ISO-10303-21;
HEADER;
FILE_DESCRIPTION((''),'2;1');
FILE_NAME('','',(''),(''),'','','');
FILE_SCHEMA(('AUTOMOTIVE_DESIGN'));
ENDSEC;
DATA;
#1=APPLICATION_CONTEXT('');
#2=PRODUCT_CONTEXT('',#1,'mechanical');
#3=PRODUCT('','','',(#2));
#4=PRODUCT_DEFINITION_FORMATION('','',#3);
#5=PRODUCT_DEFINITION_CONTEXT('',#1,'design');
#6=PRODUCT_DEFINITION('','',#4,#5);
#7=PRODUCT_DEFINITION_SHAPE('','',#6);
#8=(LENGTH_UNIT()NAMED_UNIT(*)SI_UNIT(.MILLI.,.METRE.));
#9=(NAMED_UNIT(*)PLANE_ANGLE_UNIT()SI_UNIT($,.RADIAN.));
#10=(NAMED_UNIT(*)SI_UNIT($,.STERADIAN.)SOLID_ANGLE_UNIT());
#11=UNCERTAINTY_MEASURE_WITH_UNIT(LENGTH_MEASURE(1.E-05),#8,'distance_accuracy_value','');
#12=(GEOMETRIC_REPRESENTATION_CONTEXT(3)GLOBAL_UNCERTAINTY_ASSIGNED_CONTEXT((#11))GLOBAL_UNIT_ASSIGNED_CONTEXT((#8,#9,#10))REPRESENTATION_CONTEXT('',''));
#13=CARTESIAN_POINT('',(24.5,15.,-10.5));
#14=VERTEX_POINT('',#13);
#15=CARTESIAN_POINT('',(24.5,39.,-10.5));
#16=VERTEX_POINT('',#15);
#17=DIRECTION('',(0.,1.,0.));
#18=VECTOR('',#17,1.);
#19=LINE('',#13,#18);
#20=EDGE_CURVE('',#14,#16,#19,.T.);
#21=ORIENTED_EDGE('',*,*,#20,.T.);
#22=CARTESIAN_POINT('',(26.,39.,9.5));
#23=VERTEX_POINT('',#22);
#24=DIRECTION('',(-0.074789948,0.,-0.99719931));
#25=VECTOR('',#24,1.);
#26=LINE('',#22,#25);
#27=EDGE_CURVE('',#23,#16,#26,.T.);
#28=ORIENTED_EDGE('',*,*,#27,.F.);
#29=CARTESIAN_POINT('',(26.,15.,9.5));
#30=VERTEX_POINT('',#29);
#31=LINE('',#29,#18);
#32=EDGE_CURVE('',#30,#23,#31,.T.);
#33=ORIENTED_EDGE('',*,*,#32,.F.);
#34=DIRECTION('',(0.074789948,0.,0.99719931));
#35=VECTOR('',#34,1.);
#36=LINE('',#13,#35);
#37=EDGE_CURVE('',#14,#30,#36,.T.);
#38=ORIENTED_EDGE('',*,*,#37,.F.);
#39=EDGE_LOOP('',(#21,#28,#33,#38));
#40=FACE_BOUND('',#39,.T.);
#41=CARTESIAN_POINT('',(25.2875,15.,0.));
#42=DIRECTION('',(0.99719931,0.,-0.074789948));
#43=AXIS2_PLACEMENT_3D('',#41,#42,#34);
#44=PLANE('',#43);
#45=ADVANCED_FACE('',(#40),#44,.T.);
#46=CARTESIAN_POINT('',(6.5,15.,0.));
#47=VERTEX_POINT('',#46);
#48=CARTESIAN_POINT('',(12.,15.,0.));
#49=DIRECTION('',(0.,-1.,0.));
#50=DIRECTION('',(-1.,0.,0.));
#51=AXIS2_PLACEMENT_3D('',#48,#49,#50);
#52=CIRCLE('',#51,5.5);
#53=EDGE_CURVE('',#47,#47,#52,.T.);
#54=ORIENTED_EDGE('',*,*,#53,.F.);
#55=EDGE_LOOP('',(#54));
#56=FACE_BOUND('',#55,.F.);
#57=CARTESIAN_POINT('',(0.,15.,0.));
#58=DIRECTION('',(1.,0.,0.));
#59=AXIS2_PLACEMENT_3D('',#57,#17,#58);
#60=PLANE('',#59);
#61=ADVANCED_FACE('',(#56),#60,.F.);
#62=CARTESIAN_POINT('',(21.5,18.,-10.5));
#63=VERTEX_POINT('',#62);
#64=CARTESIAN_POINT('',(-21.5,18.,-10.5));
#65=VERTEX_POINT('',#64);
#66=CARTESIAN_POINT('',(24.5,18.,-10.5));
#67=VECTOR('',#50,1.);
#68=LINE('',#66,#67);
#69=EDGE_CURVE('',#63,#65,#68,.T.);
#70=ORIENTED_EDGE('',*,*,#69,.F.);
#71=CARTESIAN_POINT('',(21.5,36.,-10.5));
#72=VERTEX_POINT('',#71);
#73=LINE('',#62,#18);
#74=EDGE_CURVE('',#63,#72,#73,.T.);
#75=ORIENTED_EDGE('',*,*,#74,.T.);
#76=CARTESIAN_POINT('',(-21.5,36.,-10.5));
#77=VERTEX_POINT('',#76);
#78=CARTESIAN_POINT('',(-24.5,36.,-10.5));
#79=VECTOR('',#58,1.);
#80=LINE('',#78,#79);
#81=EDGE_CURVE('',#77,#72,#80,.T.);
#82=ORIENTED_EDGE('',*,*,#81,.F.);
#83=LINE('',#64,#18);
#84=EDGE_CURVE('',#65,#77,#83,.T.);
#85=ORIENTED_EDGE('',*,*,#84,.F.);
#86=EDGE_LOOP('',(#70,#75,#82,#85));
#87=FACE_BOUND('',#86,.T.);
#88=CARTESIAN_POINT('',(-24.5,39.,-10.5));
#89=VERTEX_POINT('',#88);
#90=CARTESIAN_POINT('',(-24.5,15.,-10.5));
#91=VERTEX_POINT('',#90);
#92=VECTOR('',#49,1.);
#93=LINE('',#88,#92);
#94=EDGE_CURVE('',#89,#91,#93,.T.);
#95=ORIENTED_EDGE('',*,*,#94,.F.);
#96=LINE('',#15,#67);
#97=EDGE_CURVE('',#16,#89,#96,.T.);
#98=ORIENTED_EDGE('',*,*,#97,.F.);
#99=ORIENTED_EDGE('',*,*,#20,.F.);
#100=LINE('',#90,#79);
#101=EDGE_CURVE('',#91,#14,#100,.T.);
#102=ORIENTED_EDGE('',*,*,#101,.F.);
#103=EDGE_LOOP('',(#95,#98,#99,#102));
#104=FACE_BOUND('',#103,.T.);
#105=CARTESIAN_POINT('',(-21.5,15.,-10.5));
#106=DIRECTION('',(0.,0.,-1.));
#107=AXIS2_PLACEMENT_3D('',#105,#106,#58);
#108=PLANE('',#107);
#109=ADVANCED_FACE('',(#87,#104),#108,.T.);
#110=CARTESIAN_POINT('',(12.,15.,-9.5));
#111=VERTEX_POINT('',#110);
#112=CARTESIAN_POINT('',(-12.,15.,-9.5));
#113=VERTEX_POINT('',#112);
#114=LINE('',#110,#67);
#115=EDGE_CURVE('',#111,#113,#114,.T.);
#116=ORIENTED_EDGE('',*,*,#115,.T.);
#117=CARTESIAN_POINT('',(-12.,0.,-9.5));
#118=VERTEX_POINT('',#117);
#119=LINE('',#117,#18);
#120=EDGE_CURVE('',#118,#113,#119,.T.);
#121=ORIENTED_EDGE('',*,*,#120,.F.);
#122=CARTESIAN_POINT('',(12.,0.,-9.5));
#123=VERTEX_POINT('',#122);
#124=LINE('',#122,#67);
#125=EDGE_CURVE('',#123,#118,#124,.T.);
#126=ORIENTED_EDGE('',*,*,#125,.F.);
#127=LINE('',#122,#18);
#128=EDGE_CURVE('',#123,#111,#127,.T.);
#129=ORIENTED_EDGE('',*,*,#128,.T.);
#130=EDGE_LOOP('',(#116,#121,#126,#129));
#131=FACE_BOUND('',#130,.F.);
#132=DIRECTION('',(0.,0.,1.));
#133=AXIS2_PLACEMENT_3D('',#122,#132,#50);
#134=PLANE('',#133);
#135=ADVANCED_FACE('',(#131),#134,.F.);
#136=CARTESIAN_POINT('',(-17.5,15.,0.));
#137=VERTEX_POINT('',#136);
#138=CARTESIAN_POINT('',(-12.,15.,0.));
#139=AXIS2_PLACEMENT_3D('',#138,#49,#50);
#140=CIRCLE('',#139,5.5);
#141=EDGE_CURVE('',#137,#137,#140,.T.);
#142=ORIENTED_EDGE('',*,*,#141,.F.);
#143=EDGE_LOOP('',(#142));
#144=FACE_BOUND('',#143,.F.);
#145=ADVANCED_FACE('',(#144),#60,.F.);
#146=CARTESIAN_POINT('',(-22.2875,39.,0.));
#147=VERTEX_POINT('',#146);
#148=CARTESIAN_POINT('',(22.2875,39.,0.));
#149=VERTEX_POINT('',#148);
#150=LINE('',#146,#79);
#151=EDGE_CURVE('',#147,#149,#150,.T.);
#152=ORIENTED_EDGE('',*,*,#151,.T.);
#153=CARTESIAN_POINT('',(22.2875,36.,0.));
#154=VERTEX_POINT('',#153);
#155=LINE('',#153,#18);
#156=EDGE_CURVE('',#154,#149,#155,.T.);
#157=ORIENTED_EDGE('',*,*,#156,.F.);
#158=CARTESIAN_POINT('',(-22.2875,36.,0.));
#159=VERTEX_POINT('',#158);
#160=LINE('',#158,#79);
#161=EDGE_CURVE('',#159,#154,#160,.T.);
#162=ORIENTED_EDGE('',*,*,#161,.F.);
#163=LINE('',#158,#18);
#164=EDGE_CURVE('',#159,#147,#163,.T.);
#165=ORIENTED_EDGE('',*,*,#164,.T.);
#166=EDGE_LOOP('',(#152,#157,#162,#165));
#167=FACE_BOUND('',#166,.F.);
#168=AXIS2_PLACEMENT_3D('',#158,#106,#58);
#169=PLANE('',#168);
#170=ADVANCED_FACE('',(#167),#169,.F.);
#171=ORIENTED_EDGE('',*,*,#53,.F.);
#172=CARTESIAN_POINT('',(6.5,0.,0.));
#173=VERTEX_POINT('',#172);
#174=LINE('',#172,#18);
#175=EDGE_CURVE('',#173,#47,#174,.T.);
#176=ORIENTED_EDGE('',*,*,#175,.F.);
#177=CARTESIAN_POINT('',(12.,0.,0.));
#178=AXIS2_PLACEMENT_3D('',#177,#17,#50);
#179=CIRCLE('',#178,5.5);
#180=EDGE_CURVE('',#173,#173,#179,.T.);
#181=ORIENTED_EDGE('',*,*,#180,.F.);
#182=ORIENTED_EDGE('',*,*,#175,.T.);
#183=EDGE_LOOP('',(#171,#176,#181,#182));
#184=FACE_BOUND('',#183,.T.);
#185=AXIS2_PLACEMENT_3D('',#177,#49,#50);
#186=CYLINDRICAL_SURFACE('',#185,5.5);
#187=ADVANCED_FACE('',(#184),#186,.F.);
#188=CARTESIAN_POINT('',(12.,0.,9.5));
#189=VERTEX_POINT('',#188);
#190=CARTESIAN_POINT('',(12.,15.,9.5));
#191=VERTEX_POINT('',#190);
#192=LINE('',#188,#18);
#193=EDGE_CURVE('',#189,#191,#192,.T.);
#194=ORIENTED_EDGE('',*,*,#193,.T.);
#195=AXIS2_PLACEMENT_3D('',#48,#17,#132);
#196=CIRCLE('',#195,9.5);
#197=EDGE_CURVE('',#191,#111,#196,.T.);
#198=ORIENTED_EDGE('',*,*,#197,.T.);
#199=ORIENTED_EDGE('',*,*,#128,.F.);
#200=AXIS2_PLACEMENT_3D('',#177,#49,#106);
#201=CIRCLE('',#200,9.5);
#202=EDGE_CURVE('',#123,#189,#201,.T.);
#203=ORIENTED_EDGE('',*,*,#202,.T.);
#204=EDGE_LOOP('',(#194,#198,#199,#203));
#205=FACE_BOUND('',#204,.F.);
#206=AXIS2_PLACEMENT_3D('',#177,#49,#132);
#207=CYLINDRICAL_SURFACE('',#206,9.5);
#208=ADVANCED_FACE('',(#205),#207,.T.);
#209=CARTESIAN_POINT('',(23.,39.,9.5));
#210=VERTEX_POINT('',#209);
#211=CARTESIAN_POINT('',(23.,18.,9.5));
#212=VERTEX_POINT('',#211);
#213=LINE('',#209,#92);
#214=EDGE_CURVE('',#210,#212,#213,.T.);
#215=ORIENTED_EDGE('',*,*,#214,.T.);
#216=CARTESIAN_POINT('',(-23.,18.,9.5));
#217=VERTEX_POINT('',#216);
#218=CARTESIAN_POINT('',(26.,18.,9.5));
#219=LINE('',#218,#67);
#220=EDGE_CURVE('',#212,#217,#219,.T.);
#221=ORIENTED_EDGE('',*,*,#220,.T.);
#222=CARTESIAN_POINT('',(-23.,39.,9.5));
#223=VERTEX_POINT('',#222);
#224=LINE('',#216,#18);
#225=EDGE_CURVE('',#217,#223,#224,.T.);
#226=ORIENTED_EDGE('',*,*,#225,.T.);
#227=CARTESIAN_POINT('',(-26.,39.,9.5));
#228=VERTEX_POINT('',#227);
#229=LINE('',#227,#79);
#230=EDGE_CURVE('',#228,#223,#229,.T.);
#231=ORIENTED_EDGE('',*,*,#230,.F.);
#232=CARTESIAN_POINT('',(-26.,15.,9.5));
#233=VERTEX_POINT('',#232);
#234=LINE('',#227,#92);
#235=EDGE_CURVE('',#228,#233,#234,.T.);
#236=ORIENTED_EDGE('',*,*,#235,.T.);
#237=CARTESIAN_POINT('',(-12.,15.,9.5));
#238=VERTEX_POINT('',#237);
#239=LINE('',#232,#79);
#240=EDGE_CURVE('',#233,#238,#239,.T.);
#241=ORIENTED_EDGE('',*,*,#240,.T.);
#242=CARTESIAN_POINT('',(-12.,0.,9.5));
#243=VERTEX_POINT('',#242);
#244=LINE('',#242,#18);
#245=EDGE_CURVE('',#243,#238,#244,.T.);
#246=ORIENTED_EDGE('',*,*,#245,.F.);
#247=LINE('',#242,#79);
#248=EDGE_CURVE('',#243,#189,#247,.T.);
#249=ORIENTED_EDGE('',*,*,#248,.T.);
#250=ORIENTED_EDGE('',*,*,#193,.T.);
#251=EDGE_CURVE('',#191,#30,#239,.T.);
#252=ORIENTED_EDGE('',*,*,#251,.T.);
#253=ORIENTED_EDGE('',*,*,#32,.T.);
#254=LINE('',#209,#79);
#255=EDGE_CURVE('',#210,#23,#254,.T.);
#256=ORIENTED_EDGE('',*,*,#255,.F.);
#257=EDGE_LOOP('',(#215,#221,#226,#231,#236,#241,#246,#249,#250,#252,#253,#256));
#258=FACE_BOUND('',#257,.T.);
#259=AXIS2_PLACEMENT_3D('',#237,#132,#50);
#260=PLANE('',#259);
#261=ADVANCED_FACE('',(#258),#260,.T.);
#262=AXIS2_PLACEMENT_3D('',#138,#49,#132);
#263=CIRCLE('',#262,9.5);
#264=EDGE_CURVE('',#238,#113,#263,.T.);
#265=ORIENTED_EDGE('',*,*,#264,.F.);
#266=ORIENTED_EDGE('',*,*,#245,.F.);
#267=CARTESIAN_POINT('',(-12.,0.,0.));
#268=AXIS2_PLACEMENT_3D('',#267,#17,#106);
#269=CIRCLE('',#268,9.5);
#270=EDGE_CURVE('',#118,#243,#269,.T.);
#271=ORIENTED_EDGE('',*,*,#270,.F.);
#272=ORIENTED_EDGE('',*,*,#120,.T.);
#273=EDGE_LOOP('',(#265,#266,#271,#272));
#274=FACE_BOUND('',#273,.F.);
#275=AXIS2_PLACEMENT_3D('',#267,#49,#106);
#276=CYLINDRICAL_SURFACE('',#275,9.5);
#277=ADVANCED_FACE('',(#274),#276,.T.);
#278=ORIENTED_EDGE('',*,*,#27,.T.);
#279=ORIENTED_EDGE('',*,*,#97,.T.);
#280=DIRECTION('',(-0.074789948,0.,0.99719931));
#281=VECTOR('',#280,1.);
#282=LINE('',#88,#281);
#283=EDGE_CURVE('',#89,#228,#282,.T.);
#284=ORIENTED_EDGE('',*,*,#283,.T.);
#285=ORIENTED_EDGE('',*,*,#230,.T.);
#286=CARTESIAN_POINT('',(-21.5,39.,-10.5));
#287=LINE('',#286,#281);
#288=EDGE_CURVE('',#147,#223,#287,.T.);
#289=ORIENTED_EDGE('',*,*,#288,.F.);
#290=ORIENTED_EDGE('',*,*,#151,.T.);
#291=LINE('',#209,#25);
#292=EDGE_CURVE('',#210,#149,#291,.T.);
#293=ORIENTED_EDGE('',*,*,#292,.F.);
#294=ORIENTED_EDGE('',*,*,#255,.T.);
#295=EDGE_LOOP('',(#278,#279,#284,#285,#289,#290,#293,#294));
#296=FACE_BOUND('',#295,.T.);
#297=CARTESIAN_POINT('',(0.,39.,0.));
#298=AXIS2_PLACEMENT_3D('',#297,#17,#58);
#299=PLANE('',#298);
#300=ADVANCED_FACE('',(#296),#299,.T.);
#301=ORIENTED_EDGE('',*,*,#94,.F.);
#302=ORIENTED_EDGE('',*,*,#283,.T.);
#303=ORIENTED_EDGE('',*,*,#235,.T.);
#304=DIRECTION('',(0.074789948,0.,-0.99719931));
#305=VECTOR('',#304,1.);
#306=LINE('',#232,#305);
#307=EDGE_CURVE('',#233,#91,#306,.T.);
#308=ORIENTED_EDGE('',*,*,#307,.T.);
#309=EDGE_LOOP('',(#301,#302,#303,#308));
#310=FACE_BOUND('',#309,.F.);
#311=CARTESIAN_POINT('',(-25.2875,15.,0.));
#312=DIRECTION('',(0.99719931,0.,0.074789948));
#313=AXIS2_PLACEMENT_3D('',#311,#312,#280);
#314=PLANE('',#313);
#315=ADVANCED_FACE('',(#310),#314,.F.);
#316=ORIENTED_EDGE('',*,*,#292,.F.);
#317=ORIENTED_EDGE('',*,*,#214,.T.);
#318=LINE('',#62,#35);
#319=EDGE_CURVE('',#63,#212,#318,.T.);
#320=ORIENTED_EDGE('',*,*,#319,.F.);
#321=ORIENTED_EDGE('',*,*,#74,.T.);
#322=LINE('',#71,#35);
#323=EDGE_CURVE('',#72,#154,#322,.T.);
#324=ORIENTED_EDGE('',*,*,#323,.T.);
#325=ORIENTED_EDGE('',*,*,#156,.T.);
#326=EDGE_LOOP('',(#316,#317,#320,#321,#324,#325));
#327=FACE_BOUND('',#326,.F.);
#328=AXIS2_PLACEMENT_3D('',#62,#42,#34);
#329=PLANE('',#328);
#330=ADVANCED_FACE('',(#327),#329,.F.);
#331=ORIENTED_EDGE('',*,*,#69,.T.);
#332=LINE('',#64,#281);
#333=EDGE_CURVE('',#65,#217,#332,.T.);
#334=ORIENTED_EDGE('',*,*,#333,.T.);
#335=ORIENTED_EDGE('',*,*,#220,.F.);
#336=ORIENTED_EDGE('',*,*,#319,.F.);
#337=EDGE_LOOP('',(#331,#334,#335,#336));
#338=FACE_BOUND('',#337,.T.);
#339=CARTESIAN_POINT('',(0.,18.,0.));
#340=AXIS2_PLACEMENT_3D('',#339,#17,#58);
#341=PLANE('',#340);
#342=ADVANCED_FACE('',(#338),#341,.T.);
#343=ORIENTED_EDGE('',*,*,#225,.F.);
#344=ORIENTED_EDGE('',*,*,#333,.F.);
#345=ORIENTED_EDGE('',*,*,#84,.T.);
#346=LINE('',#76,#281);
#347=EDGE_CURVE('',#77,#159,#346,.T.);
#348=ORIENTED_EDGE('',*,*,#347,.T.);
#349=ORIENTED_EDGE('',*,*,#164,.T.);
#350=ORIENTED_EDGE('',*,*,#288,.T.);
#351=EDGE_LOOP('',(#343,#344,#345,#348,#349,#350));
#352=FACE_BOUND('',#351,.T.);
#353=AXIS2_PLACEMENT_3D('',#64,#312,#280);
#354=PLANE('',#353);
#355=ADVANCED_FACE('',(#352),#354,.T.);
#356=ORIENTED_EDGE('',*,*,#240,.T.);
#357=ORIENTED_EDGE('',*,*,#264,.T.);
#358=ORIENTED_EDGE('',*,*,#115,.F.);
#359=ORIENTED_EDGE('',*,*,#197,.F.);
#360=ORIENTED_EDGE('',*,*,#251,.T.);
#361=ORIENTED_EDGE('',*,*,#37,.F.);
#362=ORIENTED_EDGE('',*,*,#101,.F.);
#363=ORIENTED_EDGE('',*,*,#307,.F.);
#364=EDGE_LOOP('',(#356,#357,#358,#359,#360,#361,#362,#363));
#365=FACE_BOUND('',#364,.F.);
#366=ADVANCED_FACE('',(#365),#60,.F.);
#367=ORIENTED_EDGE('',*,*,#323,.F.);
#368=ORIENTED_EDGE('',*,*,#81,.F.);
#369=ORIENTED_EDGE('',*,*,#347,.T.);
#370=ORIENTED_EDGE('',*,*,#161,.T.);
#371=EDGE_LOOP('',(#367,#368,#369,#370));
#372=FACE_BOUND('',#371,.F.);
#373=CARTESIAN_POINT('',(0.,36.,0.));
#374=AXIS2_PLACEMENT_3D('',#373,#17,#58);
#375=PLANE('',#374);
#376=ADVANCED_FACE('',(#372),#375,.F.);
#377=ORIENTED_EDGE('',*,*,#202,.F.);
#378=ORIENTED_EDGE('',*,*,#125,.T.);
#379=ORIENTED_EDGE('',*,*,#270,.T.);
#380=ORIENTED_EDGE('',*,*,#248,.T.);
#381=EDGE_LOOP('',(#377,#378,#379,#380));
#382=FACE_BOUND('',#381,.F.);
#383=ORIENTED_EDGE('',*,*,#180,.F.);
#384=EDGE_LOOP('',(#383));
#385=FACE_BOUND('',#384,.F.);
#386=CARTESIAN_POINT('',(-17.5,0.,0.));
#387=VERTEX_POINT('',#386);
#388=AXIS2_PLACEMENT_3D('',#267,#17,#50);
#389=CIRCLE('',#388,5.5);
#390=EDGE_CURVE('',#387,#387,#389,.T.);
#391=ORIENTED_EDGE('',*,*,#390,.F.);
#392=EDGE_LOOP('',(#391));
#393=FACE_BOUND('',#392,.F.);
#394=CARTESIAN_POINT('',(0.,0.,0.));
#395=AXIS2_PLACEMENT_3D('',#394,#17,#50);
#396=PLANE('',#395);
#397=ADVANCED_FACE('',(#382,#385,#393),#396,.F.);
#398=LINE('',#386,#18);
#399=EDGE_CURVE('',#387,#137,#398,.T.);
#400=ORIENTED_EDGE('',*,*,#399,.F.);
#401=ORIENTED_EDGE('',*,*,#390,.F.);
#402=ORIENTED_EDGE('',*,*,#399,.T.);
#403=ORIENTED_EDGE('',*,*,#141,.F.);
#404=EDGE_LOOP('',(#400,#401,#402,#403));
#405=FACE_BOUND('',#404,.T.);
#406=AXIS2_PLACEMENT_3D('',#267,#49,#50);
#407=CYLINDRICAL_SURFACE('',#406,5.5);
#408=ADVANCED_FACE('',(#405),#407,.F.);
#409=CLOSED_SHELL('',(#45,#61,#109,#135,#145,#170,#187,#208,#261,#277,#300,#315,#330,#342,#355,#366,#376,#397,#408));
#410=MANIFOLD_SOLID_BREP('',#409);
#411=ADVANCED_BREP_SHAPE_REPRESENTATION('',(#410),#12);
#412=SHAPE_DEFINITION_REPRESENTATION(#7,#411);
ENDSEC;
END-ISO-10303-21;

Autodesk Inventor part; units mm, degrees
ref_plane "YZ Plane" through (0, 0, 0) normal (1, 0, 0) x (0, 1, 0)
ref_plane "XZ Plane" through (0, 0, 0) normal (0, 1, 0) x (-1, 0, 0)
ref_plane "XY Plane" through (0, 0, 0) normal (0, 0, 1) x (1, 0, 0)
sketch "스케치1" plane through (0, 0, 0) normal (0, 1, 0) x (-1, 0, 0)
  circle A0 centre (12, 0) radius 5.5
  circle A1 centre (-12, 0) radius 5.5
  line L0 (30.1, 0) -> (-30.1, 0) projected
  line L1 (12, 0) -> (-12, 0) construction
  line L2 (12, 9.5) -> (-12, 9.5)
  line L3 (-12, -9.5) -> (12, -9.5)
  arc A2 (12, -9.5) -> (12, 9.5) centre (12, 0) ccw
  arc A3 (-12, 9.5) -> (-12, -9.5) centre (-12, 0) ccw
  point P0 (0, 0)
  point P1 (0, 0)
  dimension "d0" = 11
  dimension "d1" = 11
  dimension "d2" = 12
  dimension "d3" = 12
  dimension "d4" = 4
extrude "돌출1" add sketch "스케치1" along normal blind 15 contours L0 A2 L3 A3 A1 A0 | A0 L0 A1 A3 L2 A2
sketch "스케치2" plane through (0, 15, 0) normal (0, 1, 0) x (1, 0, 0)
  line L0 (-12, -9.5) -> (12, -9.5) projected
  line L1 (0, -9.5) -> (-23, -9.5)
  line L2 (0, -9.5) -> (23, -9.5)
  line L3 (-21.5, 10.5) -> (21.5, 10.5)
  line L4 (-36.4, 0) -> (36.4, 0) projected
  line L5 (0, 14.5) -> (0, -13.5) projected
  line L6 (0, -9.5) -> (0, 10.5)
  line L7 (-21.5, 10.5) -> (-23, -9.5)
  line L8 (21.5, 10.5) -> (23, -9.5)
  line L9 (-23, -9.5) -> (-26, -9.5)
  line L10 (23, -9.5) -> (26, -9.5)
  line L11 (-21.5, 10.5) -> (-24.5, 10.5)
  line L12 (-24.5, 10.5) -> (-26, -9.5)
  line L13 (21.5, 10.5) -> (24.5, 10.5)
  line L14 (24.5, 10.5) -> (26, -9.5)
  point P0 (0, 0)
  dimension "d7" = 23
  dimension "d8" = 23
  dimension "d9" = 43
  dimension "d10" = 20
  dimension "d11" = 3
  dimension "d12" = 3
  dimension "d13" = 3
  dimension "d14" = 3
extrude "돌출2" add sketch "스케치2" along normal blind 3
sketch "스케치3" plane through (0, 18, 0) normal (0, 1, 0) x (1, 0, 0)
  line L0 (-21.5, 10.5) -> (-23, -9.5) projected
  line L1 (21.5, 10.5) -> (23, -9.5) projected
  line L2 (-26, -9.5) -> (26, -9.5) projected
  line L3 (26, -9.5) -> (24.5, 10.5) projected
  line L4 (24.5, 10.5) -> (-24.5, 10.5) projected
  line L5 (-24.5, 10.5) -> (-26, -9.5) projected
  point P0 (0, 0)
  point P1 (23, -9.5)
  point P2 (-23, -9.5)
extrude "돌출3" add sketch "스케치3" along normal blind 18 contours L0 L2 L5 L4 | L4 L3 L2 L1
sketch "스케치4" plane through (0, 36, 0) normal (0, 1, 0) x (1, 0, 0)
  line L0 (23, -9.5) -> (21.5, 10.5) projected
  line L1 (21.5, 10.5) -> (-21.5, 10.5) projected
  line L2 (-21.5, 10.5) -> (-23, -9.5) projected
  line L3 (-23, -9.5) -> (23, -9.5) projected
  line L4 (-22.2875, 0) -> (22.2875, 0)
  line L5 (-26, -9.5) -> (-23, -9.5) projected
  line L6 (-23, -9.5) -> (-21.5, 10.5) projected
  line L7 (-21.5, 10.5) -> (-24.5, 10.5) projected
  line L8 (-24.5, 10.5) -> (-26, -9.5) projected
  line L9 (24.5, 10.5) -> (21.5, 10.5) projected
  line L10 (21.5, 10.5) -> (23, -9.5) projected
  line L11 (23, -9.5) -> (26, -9.5) projected
  line L12 (26, -9.5) -> (24.5, 10.5) projected
  point P0 (0, 0)
  point P1 (0, 0)
extrude "돌출4" add sketch "스케치4" along normal blind 3 contours L0 L9 L12 L11 | L4 L2 L1 L0 | L5 L8 L7 L2
properties part number "카메라 상단"
